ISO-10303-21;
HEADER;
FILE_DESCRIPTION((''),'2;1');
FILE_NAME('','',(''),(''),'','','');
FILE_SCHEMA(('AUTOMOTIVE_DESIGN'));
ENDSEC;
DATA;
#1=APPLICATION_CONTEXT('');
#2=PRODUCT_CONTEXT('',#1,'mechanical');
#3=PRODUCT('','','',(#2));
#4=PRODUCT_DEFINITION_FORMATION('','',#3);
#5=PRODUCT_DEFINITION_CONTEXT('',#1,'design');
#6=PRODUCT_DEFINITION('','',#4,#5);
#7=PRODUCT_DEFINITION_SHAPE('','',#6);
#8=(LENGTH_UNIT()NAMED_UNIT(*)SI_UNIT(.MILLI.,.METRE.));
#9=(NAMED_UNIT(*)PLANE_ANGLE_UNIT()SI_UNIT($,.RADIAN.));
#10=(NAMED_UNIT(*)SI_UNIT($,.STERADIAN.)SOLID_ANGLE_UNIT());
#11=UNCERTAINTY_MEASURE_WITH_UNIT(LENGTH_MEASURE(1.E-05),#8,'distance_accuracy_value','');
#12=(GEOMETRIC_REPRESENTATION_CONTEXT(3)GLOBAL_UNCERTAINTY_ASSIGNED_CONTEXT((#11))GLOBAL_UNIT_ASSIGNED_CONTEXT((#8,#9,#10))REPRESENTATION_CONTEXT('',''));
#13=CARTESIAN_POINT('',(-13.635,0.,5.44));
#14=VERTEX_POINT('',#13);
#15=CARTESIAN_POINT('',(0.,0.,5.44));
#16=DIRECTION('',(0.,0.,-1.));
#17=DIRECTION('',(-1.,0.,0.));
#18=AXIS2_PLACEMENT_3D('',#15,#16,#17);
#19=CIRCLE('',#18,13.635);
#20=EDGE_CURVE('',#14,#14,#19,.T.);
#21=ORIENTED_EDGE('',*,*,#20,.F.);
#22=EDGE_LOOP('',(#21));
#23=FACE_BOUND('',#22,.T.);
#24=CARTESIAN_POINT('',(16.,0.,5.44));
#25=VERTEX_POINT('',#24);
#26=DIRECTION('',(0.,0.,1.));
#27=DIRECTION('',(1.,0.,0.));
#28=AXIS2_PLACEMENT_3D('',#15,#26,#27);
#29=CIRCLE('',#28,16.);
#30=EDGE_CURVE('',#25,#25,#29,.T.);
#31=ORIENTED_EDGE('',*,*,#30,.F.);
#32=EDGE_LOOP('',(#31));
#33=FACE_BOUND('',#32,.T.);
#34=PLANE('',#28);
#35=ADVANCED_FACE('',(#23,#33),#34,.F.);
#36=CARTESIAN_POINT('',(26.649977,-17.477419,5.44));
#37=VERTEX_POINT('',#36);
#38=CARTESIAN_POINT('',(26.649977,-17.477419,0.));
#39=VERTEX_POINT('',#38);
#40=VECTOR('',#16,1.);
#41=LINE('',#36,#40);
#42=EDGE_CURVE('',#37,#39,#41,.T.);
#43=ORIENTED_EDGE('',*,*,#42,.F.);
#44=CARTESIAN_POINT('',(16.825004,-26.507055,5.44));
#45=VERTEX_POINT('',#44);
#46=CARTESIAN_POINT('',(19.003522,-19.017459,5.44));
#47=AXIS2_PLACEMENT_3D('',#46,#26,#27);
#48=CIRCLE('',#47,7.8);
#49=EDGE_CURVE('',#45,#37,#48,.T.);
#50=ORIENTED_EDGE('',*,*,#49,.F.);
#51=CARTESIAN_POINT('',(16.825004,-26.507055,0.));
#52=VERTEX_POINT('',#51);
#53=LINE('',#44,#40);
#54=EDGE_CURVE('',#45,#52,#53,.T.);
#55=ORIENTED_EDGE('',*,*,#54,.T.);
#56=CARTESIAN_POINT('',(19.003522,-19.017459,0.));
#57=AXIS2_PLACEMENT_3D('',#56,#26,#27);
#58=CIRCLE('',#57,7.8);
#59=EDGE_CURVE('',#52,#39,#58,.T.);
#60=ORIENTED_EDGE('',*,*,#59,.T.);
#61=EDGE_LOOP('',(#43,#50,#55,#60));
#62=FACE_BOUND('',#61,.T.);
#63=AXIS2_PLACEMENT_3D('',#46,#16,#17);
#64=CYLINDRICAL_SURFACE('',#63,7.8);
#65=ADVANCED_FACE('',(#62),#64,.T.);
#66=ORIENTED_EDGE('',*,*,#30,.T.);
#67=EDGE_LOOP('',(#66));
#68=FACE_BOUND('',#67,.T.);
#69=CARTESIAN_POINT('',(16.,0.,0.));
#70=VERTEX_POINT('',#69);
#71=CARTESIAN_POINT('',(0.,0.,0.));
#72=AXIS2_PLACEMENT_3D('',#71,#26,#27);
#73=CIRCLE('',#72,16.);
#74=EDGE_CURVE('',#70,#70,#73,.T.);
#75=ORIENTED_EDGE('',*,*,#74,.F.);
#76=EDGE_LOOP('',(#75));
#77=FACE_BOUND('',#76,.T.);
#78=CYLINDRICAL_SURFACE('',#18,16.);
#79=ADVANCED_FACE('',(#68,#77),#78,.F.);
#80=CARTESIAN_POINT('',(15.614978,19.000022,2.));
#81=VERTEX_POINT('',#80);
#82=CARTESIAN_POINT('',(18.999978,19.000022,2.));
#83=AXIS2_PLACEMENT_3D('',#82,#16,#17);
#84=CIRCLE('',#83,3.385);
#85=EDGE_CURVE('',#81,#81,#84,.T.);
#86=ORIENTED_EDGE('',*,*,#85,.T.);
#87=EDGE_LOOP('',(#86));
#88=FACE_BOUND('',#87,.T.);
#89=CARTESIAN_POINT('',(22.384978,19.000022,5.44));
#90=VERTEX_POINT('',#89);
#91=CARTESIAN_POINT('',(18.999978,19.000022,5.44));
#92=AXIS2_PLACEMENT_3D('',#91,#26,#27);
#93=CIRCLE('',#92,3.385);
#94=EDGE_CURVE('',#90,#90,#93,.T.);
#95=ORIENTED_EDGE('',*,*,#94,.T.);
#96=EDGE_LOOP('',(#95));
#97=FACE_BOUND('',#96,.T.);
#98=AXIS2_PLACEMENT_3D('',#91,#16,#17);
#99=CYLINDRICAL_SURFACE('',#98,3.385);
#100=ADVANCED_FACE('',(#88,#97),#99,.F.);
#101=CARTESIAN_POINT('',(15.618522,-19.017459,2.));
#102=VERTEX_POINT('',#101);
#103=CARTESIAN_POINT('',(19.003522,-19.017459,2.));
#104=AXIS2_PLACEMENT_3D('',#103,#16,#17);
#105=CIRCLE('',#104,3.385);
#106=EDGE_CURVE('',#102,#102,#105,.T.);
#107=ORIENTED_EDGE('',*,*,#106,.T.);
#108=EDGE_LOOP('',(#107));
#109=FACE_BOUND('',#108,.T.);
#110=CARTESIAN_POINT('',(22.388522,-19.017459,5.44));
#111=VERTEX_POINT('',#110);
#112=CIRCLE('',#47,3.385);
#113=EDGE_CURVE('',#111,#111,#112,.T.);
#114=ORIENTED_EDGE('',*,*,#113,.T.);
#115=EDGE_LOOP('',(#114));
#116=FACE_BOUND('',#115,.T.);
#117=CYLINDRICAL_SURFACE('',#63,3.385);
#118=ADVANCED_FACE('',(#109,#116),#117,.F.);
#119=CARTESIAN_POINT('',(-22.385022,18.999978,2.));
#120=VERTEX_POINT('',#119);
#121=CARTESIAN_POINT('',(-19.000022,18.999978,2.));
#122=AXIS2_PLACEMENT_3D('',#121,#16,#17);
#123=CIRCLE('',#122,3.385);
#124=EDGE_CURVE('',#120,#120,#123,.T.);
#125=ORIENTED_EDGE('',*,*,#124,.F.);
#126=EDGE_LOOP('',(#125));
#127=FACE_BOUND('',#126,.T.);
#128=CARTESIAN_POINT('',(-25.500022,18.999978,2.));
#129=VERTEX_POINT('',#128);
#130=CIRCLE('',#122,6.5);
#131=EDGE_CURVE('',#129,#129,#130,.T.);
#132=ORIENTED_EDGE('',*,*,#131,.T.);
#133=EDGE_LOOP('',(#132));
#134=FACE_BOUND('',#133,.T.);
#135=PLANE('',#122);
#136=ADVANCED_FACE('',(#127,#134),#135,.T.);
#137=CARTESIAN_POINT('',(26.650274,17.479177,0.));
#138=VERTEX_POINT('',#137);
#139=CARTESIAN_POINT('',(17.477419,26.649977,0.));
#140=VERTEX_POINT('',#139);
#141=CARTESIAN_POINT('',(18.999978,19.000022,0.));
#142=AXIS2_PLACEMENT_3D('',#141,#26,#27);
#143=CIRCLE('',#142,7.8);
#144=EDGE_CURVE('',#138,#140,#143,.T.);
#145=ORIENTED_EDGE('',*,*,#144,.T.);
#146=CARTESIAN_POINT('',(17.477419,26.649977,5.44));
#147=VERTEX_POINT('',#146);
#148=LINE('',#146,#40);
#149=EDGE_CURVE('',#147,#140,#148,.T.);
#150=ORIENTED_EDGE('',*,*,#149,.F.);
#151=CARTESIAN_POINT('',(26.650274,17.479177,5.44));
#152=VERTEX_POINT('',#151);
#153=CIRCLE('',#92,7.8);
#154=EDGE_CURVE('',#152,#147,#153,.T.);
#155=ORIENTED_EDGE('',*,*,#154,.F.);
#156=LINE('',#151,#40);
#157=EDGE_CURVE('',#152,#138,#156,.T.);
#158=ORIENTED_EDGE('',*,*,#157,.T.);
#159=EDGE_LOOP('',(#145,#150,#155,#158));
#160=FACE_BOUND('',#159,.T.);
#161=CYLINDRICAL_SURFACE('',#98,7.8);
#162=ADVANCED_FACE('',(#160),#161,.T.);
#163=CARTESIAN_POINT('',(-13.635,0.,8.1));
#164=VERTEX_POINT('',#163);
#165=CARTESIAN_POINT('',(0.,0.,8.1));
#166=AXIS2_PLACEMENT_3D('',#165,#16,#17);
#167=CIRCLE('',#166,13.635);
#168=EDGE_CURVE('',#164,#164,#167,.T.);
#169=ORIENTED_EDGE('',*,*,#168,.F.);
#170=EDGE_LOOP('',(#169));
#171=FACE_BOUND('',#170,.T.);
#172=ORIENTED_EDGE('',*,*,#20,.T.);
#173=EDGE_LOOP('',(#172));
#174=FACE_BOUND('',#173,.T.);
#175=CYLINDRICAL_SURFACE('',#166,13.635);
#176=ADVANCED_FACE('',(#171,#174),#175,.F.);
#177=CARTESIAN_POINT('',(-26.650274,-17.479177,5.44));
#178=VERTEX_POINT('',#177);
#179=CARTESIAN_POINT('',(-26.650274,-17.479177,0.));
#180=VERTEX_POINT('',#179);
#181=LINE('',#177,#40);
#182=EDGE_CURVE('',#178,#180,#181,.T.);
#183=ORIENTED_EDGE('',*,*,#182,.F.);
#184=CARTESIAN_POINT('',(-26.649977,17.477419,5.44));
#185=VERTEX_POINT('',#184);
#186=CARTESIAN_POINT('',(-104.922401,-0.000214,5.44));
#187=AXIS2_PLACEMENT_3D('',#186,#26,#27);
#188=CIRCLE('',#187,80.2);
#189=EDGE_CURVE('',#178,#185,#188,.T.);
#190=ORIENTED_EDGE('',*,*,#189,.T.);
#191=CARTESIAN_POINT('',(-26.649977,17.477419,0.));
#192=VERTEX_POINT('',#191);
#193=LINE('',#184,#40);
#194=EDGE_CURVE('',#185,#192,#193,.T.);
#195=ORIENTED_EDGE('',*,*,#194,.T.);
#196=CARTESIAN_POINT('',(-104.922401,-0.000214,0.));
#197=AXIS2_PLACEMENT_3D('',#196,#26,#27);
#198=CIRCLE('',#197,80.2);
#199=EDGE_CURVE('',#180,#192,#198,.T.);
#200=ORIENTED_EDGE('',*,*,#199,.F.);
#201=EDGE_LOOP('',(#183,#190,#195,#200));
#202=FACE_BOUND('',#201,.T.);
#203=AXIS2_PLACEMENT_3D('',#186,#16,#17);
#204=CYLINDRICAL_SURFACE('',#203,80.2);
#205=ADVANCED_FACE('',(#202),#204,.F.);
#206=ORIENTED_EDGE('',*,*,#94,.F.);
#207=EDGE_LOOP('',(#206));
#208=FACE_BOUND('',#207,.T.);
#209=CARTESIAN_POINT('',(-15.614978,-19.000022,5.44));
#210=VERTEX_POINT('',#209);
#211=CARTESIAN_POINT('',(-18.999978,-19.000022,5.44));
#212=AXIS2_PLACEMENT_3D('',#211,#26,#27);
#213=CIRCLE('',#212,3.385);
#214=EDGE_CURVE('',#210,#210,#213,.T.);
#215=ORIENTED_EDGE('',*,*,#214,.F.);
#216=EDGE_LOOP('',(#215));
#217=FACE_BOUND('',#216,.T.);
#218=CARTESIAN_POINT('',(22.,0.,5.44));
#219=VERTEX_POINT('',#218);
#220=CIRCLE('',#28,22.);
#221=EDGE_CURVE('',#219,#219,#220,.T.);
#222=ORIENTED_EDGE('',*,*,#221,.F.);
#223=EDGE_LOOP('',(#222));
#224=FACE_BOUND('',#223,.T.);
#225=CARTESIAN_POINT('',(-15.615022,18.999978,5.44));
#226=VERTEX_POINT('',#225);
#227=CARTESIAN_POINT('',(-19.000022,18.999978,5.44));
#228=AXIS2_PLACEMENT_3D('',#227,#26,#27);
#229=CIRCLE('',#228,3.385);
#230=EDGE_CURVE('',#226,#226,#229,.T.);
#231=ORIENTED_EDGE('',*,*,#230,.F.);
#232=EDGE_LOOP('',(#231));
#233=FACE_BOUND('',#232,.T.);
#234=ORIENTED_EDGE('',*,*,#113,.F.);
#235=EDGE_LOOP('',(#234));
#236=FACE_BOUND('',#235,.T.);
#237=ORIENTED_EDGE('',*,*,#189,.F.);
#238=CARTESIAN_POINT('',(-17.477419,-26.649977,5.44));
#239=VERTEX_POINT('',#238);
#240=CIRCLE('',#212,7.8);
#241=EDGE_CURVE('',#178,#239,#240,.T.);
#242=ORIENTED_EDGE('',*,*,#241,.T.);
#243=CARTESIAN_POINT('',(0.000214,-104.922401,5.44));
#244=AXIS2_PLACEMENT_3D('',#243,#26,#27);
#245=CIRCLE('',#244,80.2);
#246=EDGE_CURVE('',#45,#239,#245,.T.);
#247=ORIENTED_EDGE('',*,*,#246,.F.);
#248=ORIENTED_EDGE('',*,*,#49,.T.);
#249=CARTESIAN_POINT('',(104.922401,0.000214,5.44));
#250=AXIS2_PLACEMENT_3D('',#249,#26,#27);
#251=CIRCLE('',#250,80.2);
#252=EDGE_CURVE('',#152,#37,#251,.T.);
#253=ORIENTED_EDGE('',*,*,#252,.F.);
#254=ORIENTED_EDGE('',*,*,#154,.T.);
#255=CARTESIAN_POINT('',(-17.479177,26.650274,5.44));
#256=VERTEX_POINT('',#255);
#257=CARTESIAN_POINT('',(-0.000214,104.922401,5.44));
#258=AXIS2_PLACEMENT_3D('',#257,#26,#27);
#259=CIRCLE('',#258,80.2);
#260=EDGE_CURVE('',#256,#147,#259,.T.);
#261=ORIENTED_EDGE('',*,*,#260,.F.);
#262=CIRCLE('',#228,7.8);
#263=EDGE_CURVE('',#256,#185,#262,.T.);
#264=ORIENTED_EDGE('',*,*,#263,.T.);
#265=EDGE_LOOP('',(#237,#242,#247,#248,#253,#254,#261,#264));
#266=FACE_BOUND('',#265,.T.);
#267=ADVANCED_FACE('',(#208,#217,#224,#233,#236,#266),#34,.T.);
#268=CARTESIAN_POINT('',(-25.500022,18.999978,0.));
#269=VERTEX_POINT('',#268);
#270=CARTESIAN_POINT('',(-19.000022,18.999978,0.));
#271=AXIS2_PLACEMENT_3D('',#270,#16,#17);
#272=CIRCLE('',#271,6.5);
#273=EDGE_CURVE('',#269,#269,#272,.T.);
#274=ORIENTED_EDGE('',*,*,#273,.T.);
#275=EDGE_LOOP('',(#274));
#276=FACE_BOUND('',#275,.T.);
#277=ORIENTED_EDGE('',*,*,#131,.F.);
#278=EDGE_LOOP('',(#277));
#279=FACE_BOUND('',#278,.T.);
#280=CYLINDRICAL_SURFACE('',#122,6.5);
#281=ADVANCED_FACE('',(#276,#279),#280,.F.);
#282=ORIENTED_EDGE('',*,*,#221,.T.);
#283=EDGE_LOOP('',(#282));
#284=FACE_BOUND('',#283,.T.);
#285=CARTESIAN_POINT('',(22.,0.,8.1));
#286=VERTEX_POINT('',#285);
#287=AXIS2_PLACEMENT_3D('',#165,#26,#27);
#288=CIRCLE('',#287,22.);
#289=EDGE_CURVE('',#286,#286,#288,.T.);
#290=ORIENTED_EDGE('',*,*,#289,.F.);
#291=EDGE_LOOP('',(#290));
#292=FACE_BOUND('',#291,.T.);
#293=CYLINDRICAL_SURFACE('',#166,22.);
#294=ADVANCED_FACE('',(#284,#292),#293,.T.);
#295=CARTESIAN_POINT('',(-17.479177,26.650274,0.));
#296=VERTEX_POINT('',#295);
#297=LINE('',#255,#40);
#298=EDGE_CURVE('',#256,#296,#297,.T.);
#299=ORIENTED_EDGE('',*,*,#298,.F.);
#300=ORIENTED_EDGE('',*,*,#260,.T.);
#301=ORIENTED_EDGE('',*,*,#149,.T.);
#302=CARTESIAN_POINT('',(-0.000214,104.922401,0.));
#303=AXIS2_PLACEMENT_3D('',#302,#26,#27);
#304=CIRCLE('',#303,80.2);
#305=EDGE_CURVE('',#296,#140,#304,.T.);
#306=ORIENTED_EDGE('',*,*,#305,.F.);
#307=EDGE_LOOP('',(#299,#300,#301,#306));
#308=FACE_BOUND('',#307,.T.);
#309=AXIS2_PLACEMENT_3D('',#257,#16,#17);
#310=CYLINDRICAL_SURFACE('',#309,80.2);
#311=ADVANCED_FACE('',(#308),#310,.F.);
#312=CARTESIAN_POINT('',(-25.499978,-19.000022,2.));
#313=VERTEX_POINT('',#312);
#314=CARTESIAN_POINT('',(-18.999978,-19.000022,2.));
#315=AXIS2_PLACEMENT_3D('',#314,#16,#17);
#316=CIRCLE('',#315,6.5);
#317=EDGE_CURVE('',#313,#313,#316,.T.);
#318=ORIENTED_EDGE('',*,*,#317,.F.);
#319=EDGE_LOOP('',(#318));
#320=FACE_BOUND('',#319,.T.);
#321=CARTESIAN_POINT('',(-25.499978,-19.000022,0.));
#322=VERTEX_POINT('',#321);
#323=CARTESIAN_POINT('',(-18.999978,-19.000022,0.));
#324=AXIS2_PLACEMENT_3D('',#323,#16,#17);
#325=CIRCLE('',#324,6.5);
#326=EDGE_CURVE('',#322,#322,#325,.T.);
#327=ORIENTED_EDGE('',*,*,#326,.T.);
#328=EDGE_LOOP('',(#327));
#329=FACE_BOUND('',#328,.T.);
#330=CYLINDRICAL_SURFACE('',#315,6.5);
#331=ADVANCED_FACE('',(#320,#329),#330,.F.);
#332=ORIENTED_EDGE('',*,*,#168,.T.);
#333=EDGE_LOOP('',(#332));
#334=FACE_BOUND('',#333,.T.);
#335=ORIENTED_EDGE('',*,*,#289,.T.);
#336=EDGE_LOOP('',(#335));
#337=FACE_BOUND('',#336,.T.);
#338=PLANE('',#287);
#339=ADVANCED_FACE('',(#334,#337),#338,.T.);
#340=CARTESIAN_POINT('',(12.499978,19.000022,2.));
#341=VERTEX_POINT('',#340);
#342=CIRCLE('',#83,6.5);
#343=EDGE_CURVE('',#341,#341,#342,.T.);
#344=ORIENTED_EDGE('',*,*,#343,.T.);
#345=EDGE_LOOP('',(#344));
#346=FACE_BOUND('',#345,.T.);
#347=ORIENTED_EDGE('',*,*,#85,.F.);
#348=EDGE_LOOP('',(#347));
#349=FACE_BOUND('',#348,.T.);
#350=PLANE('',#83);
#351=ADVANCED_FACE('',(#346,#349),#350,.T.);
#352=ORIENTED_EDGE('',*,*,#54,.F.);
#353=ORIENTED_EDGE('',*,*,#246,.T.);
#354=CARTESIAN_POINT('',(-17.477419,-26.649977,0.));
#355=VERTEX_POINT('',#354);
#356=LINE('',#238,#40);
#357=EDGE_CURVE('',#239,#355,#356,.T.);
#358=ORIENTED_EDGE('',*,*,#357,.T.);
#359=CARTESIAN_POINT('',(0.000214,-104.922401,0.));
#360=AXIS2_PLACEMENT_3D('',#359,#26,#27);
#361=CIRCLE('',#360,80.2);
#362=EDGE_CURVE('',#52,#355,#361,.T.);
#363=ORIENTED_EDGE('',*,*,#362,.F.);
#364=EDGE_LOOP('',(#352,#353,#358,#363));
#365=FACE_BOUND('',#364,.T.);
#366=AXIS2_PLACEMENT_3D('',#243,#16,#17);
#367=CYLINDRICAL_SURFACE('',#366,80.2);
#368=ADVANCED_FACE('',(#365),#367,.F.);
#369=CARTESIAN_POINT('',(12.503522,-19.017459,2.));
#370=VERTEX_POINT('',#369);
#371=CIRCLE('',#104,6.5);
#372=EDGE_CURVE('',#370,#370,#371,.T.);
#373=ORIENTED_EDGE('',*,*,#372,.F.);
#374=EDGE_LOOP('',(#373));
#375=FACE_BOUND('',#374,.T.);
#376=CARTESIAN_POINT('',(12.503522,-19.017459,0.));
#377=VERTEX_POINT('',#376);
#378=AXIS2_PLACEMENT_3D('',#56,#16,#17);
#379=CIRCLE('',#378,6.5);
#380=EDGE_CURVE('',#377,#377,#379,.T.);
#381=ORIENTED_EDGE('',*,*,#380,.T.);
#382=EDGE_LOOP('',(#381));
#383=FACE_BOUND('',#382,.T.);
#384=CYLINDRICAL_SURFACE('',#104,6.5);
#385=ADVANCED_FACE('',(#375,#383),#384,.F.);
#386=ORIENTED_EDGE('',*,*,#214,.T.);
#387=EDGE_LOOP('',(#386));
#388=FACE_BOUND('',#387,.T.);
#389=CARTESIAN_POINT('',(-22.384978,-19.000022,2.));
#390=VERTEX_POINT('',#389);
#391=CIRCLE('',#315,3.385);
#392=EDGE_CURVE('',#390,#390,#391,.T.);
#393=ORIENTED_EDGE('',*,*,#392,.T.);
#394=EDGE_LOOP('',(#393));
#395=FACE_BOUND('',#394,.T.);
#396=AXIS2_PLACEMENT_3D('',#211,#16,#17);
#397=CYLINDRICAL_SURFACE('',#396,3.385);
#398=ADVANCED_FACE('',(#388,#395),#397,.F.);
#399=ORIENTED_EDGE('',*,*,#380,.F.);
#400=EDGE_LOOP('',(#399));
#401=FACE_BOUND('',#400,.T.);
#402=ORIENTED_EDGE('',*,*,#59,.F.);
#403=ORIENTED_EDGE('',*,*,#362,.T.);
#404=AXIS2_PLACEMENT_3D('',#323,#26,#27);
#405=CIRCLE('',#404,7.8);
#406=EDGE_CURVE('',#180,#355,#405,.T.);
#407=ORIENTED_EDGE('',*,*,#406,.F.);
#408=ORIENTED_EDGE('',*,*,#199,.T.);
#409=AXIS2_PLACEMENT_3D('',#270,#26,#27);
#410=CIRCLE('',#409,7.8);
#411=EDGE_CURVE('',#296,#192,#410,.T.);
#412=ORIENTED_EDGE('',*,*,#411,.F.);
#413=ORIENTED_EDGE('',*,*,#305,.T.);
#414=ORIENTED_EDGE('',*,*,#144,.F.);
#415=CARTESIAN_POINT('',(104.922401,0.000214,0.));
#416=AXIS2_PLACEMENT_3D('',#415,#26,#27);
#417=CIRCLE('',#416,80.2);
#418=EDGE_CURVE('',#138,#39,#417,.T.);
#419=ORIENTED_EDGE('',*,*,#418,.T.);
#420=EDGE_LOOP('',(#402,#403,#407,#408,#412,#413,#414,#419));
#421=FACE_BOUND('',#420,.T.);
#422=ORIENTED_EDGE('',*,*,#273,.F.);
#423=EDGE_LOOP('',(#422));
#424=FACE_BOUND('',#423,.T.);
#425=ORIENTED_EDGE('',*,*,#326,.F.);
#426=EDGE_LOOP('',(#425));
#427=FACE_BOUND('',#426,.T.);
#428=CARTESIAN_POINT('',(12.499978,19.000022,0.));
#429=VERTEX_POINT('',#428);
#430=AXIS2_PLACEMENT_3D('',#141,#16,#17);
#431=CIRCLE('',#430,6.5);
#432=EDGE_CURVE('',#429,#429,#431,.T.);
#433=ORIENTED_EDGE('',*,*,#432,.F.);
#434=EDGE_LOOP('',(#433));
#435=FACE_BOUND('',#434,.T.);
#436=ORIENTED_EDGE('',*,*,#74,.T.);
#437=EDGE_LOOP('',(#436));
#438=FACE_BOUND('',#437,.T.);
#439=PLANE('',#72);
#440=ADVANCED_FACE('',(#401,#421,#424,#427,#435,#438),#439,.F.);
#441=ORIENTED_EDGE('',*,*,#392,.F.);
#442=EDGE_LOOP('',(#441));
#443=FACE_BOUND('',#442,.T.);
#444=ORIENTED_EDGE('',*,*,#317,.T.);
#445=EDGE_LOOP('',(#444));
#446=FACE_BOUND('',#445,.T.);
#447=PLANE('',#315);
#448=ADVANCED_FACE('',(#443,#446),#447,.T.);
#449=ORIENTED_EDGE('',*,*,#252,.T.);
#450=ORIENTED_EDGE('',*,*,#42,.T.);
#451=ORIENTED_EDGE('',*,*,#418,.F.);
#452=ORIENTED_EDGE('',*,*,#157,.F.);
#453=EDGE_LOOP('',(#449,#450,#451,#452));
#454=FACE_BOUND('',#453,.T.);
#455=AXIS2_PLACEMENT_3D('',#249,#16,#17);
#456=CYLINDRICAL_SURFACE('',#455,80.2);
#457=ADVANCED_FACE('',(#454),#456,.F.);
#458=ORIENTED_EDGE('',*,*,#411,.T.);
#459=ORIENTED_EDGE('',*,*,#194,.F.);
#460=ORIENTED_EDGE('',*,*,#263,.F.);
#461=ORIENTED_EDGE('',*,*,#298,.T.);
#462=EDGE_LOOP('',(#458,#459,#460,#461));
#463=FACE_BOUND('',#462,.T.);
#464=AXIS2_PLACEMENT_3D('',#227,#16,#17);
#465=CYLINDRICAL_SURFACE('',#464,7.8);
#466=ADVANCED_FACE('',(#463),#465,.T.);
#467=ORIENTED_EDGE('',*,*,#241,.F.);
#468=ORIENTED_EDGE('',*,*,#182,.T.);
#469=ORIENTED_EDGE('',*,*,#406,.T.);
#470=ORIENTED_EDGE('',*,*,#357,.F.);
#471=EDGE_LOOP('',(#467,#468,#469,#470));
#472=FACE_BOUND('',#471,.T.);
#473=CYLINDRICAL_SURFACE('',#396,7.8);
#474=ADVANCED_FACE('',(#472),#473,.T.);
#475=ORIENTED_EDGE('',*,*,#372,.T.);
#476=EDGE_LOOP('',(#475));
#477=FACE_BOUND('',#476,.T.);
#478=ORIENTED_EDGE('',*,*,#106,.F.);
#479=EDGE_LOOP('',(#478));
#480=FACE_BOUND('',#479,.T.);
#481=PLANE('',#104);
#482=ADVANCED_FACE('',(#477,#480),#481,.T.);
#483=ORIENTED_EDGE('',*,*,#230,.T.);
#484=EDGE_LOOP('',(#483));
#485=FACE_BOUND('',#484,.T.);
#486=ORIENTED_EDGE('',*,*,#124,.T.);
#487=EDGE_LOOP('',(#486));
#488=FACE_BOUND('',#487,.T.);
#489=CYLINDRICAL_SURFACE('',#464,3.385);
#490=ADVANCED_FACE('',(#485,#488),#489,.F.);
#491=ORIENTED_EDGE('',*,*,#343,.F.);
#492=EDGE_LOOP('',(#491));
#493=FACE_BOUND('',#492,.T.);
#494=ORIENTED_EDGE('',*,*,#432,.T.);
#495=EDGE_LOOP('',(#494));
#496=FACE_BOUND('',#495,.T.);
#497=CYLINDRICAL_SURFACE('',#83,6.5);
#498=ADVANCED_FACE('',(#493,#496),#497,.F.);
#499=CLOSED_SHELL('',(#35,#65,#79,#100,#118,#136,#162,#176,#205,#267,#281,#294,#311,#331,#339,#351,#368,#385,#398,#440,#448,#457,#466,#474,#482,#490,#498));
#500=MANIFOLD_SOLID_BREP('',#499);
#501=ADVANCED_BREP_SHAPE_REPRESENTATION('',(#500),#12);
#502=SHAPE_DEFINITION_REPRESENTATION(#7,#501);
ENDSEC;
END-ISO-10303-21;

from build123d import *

# Parameters (mm, degrees)
SKETCH1_R           = 3.385
SKETCH1_R_2         = 16
BOSS_EXTRUDE1_DEPTH = 5.44
SKETCH2_R           = 6.5
CUT_EXTRUDE1_DEPTH  = 2
SKETCH3_R           = 22
BOSS_EXTRUDE2_DEPTH = 2.66
SKETCH4_R           = 13.635
CUT_EXTRUDE2_DEPTH  = 3.66


with BuildPart() as part:
    # Sketch1 → Boss-Extrude1 (new body)
    with BuildSketch(Plane.XY):
        with BuildLine():
            ThreePointArc((-17.15500238, -26.5786804), (-0.168836143, -24.722579211), (16.825003911, -26.507055409))
            ThreePointArc((16.825003911, -26.507055409), (24.281605458, -24.760439823), (26.649977107, -17.477419272))
            ThreePointArc((26.649977107, -17.477419272), (24.722401047, 0.0008954), (26.650274279, 17.479177295))
            ThreePointArc((26.650274279, 17.479177295), (24.514793015, 24.516072703), (17.477419272, 26.649977107))
            ThreePointArc((17.477419272, 26.649977107), (17.316247519, 26.614162818), (17.15500238, 26.5786804))
            ThreePointArc((17.15500238, 26.5786804), (0.000817995, 24.722401051), (-17.153414138, 26.578239095))
            ThreePointArc((-17.153414138, 26.578239095), (-17.316333175, 26.61408729), (-17.479177295, 26.650274279))
            ThreePointArc((-17.479177295, 26.650274279), (-24.516072703, 24.514793015), (-26.649977107, 17.477419272))
            ThreePointArc((-26.649977107, 17.477419272), (-24.722401047, -0.0008954), (-26.650274279, -17.479177295))
            ThreePointArc((-26.650274279, -17.479177295), (-24.514793015, -24.516072703), (-17.477419272, -26.649977107))
            ThreePointArc((-17.477419272, -26.649977107), (-17.316247519, -26.614162818), (-17.15500238, -26.5786804))
        make_face()
        with Locations((-18.999978097, -19.000021903)):
            Circle(SKETCH1_R, mode=Mode.SUBTRACT)
        with Locations((19.003521801, -19.017458637)):
            Circle(SKETCH1_R, mode=Mode.SUBTRACT)
        Circle(SKETCH1_R_2, mode=Mode.SUBTRACT)
        with Locations((-19.000021903, 18.999978097)):
            Circle(SKETCH1_R, mode=Mode.SUBTRACT)
        with Locations((18.999978097, 19.000021903)):
            Circle(SKETCH1_R, mode=Mode.SUBTRACT)
    extrude(amount=BOSS_EXTRUDE1_DEPTH)

    # Sketch2 → Cut-Extrude1 (cut)
    with BuildSketch(Plane(origin=(0, 0, 0), x_dir=(-1, 0, 0), z_dir=(0, 0, -1))):
        with Locations((19.000021903, 18.999978097)):
            Circle(SKETCH2_R)
        with Locations((-18.999978097, 19.000021903)):
            Circle(SKETCH2_R)
        with Locations((-19.003521801, -19.017458637)):
            Circle(SKETCH2_R)
        with Locations((18.999978097, -19.000021903)):
            Circle(SKETCH2_R)
    extrude(amount=-CUT_EXTRUDE1_DEPTH, mode=Mode.SUBTRACT)

    # Sketch3 → Boss-Extrude2 (add)
    with BuildSketch(Plane.XY.offset(5.44)):
        Circle(SKETCH3_R)
    extrude(amount=BOSS_EXTRUDE2_DEPTH)

    # Sketch4 → Cut-Extrude2 (cut, through all)
    with BuildSketch(Plane(origin=(0, 0, 5.44), x_dir=(-1, 0, 0), z_dir=(0, 0, -1))):
        Circle(SKETCH4_R)
    extrude(amount=-CUT_EXTRUDE2_DEPTH, mode=Mode.SUBTRACT)


solid = part.part
